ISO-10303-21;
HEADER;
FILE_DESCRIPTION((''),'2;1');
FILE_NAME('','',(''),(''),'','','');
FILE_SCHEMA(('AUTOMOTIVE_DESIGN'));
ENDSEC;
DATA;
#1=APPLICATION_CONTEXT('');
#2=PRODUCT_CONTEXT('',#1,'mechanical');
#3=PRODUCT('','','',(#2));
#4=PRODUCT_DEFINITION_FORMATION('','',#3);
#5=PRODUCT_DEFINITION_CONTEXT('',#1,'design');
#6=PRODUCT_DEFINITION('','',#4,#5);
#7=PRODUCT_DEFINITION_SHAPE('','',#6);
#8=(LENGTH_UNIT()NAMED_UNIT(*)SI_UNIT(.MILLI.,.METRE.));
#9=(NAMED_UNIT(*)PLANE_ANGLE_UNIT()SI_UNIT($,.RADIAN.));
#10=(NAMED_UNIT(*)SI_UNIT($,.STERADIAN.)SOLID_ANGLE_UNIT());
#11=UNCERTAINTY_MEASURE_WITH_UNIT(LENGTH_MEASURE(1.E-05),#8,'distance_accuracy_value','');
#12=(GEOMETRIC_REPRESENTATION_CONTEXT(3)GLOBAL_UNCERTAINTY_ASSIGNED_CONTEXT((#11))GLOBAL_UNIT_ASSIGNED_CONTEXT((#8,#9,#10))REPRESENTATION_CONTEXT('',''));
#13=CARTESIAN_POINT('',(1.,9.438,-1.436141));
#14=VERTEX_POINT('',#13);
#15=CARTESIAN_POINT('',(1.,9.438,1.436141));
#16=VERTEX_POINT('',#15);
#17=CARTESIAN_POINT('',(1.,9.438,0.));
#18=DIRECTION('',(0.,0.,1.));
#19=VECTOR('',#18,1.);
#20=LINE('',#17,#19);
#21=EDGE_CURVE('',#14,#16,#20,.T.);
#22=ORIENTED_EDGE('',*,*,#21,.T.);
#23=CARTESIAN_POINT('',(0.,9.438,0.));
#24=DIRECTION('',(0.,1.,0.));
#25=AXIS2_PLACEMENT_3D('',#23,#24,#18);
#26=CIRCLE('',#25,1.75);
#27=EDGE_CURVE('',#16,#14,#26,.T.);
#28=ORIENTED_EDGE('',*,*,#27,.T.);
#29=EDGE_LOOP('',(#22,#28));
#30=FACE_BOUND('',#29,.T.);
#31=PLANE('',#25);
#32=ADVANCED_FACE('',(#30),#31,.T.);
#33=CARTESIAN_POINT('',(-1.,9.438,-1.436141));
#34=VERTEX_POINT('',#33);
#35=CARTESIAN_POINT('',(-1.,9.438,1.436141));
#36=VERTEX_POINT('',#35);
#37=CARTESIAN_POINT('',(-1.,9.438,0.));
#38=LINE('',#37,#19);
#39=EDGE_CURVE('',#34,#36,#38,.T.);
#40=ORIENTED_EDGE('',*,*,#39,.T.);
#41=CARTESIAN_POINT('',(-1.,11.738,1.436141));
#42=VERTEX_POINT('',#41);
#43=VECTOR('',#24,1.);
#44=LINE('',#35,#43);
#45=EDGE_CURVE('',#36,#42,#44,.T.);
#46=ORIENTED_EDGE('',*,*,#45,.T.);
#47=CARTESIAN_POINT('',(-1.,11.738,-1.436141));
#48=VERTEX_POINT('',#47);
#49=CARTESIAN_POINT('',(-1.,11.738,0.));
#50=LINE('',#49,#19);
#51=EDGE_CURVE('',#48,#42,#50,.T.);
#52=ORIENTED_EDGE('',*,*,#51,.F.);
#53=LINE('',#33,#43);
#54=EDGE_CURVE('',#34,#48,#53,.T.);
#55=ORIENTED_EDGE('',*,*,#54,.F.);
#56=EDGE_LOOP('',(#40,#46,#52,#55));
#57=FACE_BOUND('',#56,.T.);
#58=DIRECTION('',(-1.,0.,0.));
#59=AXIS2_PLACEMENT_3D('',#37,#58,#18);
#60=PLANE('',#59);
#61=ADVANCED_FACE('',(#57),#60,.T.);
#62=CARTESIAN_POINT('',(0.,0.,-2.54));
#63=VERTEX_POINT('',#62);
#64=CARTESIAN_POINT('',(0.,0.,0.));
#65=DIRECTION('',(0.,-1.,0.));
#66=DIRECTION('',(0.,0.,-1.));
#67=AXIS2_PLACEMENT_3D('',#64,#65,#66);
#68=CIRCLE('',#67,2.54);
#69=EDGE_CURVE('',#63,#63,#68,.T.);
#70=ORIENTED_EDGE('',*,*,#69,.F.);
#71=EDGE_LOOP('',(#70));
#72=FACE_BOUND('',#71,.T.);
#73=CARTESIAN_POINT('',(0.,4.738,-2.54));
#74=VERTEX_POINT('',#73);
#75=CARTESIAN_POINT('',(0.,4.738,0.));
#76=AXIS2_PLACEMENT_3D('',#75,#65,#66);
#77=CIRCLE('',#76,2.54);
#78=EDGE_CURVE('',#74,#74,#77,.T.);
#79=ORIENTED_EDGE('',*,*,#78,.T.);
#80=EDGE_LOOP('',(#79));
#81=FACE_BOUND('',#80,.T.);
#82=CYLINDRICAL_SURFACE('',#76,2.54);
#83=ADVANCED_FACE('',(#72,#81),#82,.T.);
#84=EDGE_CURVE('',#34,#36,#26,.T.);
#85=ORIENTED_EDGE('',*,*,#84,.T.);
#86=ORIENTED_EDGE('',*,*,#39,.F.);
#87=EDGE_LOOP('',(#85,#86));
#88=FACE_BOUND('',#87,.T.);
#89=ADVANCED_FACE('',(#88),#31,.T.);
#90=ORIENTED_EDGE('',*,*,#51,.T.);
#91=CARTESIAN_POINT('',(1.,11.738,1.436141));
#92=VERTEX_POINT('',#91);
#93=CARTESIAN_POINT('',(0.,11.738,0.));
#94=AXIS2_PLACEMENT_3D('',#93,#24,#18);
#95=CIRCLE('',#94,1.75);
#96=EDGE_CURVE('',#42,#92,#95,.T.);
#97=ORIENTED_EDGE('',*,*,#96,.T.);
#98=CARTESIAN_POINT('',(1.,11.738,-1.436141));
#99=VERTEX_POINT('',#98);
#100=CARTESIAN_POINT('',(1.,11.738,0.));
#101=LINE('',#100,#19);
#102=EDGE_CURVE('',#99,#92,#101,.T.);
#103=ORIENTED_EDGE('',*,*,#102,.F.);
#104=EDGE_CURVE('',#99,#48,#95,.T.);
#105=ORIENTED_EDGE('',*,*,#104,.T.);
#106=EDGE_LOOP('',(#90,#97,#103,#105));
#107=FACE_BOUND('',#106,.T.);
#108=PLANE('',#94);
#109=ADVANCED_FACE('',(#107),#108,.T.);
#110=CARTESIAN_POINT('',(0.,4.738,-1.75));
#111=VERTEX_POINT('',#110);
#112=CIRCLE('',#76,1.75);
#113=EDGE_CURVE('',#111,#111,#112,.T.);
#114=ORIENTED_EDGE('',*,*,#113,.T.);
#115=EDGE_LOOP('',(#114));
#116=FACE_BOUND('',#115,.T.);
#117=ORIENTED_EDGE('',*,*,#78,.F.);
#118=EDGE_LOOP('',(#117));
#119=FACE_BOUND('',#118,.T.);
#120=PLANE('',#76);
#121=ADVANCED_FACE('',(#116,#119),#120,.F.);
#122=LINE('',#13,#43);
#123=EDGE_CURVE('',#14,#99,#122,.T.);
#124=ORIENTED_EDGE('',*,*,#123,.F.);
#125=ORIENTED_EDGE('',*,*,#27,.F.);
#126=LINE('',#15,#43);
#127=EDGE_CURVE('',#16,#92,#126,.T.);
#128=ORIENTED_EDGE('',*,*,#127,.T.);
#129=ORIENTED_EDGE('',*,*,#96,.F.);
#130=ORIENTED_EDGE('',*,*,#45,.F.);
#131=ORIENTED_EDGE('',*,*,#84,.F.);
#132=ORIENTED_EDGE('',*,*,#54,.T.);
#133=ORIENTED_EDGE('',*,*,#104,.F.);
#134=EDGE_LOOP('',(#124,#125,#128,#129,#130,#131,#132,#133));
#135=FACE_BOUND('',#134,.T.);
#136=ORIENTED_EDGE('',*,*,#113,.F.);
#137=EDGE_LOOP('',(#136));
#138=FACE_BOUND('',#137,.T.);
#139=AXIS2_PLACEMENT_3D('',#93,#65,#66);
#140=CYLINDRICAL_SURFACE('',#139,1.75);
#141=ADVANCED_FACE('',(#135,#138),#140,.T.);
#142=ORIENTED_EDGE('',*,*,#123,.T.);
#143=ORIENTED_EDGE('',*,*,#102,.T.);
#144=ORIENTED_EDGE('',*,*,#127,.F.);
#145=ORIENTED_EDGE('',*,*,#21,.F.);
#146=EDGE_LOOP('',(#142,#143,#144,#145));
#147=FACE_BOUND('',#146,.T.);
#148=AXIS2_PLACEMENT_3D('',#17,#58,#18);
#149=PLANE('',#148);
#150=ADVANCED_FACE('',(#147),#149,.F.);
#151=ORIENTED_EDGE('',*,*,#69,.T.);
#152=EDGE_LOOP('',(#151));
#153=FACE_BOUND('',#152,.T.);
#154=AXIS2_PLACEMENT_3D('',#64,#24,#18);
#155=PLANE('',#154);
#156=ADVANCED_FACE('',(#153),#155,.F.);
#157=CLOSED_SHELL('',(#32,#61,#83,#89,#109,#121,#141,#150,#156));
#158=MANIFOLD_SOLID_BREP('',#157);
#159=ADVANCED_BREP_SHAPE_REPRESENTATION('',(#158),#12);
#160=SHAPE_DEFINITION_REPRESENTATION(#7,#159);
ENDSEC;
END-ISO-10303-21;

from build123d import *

# Parameters (mm, degrees)
SKETCH1_R           = 1.75
BOSS_EXTRUDE1_DEPTH = 11.738
CUT_EXTRUDE1_DEPTH  = 2.3
SKETCH3_R           = 2.54
BOSS_EXTRUDE2_DEPTH = 4.738


with BuildPart() as part:
    # Sketch1 → Boss-Extrude1 (new body)
    with BuildSketch(Plane(origin=(0, 0, 0), x_dir=(1, 0, 0), z_dir=(0, 1, 0))):
        Circle(SKETCH1_R)
    extrude(amount=BOSS_EXTRUDE1_DEPTH)

    # Sketch2 → Cut-Extrude1 (cut)
    with BuildSketch(Plane(origin=(0, 11.738, 0), x_dir=(1, 0, 0), z_dir=(0, 1, 0))):
        with BuildLine():
            Line((-1, -1.436140662), (-1, 1.436140662))
            ThreePointArc((-1, 1.436140662), (-1.75, 0), (-1, -1.436140662))
        make_face()
        with BuildLine():
            ThreePointArc((1.75, 0), (1.551209206, 0.810092587), (1, 1.436140662))
            Line((1, 1.436140662), (1, -1.436140662))
            ThreePointArc((1, -1.436140662), (1.551209206, -0.810092587), (1.75, 0))
        make_face()
    extrude(amount=-CUT_EXTRUDE1_DEPTH, mode=Mode.SUBTRACT)

    # Sketch3 → Boss-Extrude2 (add)
    with BuildSketch(Plane.XZ):
        Circle(SKETCH3_R)
    extrude(amount=-BOSS_EXTRUDE2_DEPTH)


solid = part.part
